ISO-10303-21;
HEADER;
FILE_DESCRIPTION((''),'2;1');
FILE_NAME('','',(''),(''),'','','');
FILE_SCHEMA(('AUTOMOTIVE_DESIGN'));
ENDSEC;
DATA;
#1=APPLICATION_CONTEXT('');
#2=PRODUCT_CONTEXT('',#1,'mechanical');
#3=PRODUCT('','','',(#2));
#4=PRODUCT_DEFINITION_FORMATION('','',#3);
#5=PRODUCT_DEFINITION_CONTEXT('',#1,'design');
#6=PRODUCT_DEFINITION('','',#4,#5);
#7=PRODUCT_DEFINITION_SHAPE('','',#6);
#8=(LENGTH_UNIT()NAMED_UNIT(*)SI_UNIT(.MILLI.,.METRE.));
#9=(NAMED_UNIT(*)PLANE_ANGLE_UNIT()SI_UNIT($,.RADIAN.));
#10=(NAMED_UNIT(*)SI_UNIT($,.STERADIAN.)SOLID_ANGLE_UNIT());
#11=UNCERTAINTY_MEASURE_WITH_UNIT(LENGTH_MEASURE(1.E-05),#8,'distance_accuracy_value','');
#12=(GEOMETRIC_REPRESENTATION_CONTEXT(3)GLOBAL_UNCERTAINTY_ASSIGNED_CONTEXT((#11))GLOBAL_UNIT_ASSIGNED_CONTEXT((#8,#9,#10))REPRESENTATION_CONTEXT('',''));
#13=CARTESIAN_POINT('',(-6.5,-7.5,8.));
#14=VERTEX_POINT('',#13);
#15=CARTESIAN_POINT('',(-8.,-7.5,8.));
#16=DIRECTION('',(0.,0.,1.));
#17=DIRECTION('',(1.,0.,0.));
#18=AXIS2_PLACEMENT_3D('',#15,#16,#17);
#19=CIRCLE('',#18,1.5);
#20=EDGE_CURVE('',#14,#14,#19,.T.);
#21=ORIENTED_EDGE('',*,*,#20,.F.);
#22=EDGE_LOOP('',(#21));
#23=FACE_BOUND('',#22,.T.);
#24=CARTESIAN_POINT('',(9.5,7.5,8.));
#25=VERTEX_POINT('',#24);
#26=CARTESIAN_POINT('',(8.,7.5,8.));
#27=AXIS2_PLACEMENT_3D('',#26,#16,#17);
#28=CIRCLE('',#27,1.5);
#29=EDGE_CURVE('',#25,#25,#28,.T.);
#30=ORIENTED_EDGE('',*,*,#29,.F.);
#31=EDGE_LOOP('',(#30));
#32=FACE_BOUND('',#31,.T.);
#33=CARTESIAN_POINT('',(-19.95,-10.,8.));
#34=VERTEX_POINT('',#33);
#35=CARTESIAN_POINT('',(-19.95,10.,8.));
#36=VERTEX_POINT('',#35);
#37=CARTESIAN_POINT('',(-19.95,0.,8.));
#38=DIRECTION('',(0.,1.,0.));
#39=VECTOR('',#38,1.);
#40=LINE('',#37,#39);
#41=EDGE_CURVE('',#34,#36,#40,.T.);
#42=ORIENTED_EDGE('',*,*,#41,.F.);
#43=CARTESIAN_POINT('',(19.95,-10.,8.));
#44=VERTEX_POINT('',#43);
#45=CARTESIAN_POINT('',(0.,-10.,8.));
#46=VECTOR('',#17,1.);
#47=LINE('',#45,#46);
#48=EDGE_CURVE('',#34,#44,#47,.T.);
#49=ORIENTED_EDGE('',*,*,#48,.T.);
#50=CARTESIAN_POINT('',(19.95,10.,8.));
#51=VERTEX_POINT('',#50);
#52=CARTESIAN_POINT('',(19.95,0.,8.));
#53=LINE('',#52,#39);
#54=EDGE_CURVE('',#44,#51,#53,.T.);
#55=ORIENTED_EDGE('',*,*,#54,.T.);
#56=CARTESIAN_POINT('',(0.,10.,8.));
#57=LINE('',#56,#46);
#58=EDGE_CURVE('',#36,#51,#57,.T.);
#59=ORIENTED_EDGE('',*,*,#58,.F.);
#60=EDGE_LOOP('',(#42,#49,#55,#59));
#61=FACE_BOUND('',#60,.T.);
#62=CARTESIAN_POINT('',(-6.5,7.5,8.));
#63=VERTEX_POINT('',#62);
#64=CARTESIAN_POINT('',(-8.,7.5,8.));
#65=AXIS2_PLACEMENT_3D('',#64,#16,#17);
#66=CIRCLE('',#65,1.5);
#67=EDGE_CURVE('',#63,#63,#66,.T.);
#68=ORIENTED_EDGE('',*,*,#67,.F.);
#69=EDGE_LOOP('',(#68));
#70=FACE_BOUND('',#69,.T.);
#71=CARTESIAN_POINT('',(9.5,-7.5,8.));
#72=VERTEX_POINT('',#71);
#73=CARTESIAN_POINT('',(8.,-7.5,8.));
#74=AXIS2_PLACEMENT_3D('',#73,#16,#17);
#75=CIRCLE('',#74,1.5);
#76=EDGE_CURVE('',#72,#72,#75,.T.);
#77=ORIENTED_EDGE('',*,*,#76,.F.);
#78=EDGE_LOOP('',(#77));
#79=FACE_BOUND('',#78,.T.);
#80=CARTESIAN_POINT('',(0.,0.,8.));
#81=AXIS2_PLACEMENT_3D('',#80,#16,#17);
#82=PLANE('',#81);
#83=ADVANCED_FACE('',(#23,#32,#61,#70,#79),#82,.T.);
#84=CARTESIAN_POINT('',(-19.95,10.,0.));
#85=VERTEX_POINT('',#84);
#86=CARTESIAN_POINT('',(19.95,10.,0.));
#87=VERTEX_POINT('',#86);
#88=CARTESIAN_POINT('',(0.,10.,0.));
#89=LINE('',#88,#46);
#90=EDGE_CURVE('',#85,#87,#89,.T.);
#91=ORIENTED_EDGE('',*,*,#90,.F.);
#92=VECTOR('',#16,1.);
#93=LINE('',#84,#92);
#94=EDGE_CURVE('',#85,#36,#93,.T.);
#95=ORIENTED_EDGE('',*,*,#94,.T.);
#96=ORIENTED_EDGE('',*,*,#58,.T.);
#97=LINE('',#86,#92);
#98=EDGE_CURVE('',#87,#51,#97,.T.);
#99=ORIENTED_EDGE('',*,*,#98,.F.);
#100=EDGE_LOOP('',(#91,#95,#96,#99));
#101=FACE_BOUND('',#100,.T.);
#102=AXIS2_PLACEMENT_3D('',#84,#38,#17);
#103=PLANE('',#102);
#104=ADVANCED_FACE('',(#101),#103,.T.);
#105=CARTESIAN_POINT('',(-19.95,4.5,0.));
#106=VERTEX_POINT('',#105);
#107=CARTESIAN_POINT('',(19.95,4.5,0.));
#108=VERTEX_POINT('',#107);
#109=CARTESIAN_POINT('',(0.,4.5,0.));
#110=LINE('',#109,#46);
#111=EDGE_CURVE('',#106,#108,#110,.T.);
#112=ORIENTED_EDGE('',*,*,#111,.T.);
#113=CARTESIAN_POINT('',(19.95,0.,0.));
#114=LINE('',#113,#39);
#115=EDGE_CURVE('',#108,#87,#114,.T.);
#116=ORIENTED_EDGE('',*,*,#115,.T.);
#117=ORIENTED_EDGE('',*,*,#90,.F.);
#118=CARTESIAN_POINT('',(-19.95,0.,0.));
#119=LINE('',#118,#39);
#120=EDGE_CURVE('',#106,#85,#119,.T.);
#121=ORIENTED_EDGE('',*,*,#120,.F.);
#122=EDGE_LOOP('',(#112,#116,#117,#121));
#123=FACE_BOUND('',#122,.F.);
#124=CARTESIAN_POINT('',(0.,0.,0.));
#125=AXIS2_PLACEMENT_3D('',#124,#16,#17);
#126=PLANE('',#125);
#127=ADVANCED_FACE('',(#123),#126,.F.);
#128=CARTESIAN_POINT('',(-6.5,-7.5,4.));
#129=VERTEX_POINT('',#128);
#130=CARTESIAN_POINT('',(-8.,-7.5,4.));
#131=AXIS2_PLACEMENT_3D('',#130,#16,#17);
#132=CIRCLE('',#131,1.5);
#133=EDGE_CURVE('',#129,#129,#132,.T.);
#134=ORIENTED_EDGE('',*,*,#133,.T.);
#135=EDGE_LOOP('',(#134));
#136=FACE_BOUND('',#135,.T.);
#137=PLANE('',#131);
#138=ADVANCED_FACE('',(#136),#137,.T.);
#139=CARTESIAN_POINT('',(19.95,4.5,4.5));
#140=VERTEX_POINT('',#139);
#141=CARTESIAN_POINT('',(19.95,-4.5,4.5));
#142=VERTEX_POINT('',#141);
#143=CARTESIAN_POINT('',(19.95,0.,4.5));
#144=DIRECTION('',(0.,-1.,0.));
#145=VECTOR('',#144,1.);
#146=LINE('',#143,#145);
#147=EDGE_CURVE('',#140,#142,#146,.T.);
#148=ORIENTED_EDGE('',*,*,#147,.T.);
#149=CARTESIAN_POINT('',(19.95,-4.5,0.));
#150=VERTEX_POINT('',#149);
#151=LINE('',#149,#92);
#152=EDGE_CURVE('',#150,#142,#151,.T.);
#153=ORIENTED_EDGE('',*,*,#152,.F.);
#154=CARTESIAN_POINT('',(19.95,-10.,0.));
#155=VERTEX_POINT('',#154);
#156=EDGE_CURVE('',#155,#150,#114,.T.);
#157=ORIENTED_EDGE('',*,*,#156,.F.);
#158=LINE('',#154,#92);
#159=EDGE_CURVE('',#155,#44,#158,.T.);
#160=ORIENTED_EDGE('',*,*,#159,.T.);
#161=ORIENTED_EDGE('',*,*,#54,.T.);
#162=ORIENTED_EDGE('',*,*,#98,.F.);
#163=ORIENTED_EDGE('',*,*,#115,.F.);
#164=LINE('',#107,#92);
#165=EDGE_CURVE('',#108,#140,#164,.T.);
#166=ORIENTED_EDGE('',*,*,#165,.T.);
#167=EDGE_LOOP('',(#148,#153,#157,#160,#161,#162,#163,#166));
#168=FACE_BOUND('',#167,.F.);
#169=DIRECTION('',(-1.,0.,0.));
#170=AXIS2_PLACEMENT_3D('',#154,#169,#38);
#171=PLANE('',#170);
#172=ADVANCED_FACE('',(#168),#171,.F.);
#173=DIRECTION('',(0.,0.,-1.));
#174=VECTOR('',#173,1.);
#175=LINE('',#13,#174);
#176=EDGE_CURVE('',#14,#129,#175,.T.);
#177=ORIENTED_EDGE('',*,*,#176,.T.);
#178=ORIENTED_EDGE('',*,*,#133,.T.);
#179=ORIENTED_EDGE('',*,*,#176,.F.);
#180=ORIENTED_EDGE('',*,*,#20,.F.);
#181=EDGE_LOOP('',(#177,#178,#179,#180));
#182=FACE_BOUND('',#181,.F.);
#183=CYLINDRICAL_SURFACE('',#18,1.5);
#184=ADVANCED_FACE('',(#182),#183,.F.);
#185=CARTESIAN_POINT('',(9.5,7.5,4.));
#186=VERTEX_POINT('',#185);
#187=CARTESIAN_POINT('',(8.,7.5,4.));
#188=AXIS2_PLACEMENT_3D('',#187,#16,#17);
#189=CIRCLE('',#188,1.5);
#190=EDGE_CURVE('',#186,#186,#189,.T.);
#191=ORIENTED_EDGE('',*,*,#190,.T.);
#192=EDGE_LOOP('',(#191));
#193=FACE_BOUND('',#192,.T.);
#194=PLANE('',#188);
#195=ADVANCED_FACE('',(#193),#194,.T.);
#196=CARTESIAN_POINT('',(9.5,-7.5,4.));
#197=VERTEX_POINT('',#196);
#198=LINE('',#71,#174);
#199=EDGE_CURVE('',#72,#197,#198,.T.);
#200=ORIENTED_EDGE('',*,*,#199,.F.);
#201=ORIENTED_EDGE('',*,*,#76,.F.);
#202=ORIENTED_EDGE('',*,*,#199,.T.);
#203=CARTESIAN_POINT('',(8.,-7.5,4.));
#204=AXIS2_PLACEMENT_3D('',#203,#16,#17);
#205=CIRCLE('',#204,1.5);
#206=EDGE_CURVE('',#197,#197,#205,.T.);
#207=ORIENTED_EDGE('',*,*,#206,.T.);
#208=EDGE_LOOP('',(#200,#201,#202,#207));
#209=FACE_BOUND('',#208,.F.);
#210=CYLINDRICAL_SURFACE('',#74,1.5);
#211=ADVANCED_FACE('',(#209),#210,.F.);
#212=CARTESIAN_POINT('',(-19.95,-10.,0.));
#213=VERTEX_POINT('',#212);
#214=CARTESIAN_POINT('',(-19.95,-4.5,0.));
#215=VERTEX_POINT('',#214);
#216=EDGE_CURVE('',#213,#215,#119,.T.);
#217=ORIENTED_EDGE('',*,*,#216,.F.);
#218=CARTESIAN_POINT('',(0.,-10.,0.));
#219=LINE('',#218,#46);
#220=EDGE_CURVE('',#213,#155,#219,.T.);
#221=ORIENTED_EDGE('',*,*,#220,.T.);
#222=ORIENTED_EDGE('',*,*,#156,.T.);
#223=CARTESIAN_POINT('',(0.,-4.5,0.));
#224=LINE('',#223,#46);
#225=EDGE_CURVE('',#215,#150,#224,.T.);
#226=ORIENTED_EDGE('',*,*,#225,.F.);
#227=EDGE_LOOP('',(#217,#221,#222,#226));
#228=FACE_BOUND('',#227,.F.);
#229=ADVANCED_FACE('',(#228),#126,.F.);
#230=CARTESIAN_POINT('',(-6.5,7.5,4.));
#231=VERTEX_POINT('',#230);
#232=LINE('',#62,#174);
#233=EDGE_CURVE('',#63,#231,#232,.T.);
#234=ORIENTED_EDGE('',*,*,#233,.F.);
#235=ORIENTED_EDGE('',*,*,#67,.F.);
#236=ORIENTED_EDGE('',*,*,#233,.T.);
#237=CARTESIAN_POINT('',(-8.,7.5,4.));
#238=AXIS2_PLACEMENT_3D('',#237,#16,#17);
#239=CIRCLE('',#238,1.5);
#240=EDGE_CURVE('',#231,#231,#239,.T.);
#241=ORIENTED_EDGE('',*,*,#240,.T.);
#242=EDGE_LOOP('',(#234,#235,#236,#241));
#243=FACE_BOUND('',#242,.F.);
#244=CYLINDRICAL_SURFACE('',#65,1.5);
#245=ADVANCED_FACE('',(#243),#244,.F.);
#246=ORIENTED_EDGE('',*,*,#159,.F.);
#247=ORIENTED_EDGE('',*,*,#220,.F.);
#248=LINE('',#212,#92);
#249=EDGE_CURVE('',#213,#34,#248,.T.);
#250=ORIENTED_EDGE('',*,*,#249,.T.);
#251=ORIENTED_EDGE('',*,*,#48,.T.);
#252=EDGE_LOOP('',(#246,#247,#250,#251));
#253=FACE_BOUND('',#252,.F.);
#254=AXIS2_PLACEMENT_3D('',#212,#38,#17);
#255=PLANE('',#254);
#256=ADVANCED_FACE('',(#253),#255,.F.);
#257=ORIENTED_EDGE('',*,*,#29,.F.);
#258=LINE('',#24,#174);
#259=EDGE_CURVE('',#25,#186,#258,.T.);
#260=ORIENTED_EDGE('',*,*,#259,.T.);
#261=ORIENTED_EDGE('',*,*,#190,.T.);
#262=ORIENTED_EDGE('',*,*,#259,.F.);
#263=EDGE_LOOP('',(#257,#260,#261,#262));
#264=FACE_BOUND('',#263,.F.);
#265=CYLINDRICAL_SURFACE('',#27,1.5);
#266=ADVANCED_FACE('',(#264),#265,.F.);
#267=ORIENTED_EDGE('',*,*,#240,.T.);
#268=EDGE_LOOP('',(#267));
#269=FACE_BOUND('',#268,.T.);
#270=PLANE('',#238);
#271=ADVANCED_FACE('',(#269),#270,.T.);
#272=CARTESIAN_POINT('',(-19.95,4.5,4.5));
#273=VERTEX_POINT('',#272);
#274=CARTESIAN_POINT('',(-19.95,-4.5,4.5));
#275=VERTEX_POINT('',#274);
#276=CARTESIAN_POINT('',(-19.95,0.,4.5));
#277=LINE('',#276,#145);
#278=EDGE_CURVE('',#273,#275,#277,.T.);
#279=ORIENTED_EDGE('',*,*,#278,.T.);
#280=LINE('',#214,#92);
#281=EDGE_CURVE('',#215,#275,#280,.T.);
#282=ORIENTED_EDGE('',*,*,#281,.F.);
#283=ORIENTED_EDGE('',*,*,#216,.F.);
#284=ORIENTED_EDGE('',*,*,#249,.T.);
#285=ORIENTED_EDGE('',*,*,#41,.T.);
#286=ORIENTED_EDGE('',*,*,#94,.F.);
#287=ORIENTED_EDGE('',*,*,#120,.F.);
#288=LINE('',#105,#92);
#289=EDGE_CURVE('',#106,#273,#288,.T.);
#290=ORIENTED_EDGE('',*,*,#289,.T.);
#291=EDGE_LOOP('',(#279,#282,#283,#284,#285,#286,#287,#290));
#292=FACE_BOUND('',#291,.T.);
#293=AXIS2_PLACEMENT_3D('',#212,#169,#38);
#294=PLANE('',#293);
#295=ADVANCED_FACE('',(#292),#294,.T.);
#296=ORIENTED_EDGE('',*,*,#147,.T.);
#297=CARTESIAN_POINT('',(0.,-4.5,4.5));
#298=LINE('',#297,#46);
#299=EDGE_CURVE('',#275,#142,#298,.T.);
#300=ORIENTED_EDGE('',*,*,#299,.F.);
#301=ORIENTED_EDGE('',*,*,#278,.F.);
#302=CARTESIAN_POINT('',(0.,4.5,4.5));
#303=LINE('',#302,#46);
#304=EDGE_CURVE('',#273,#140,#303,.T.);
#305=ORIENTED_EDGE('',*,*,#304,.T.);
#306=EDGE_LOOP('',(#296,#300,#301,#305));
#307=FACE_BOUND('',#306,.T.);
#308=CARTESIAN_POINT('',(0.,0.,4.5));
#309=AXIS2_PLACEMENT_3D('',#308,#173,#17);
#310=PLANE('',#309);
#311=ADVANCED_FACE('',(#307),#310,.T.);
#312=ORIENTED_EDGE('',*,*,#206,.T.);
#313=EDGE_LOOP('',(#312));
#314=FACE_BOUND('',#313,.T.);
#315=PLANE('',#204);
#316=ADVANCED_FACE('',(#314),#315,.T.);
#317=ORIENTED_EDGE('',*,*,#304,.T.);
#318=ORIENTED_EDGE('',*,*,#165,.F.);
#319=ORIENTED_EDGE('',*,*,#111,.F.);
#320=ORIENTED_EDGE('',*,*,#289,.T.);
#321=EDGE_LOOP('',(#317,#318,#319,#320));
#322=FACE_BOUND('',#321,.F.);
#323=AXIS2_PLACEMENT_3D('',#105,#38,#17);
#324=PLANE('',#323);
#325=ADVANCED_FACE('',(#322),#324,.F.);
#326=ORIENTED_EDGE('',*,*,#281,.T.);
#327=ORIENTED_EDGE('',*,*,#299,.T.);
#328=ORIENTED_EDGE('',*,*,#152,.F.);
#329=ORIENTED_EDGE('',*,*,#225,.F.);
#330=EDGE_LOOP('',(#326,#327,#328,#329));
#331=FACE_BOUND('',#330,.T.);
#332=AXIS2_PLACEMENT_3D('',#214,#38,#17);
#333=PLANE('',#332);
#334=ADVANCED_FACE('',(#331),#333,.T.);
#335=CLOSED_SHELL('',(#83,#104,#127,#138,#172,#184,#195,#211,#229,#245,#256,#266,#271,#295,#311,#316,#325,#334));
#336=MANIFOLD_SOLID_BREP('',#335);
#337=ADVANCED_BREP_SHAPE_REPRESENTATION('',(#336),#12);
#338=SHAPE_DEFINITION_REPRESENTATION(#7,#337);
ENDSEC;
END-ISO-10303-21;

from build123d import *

# Parameters (mm, degrees)
SKETCH_W        = 39.9
SKETCH_H        = 20
PAD_DEPTH       = 8
SKETCH001_W     = 39.9
SKETCH001_H     = 9
POCKET_DEPTH    = 4.5
SKETCH002_R     = 1.5
POCKET001_DEPTH = 4


with BuildPart() as part:
    # Sketch → Pad (new body)
    with BuildSketch(Plane.XY):
        Rectangle(SKETCH_W, SKETCH_H)
    extrude(amount=PAD_DEPTH)

    # Sketch001 (on Face5 of Pad) → Pocket (cut)
    with BuildSketch(Plane(origin=(0, 0, 0), x_dir=(1, 0, 0), z_dir=(0, 0, -1))):
        Rectangle(SKETCH001_W, SKETCH001_H)
    extrude(amount=-POCKET_DEPTH, mode=Mode.SUBTRACT)

    # Sketch002 (on Face8 of Pocket) → Pocket001 (cut)
    with BuildSketch(Plane.XY.offset(8)):
        with Locations((-8, 7.5)):
            Circle(SKETCH002_R)
        with Locations((8, 7.5)):
            Circle(SKETCH002_R)
        with Locations((8, -7.5)):
            Circle(SKETCH002_R)
        with Locations((-8, -7.5)):
            Circle(SKETCH002_R)
    extrude(amount=-POCKET001_DEPTH, mode=Mode.SUBTRACT)


solid = part.part
